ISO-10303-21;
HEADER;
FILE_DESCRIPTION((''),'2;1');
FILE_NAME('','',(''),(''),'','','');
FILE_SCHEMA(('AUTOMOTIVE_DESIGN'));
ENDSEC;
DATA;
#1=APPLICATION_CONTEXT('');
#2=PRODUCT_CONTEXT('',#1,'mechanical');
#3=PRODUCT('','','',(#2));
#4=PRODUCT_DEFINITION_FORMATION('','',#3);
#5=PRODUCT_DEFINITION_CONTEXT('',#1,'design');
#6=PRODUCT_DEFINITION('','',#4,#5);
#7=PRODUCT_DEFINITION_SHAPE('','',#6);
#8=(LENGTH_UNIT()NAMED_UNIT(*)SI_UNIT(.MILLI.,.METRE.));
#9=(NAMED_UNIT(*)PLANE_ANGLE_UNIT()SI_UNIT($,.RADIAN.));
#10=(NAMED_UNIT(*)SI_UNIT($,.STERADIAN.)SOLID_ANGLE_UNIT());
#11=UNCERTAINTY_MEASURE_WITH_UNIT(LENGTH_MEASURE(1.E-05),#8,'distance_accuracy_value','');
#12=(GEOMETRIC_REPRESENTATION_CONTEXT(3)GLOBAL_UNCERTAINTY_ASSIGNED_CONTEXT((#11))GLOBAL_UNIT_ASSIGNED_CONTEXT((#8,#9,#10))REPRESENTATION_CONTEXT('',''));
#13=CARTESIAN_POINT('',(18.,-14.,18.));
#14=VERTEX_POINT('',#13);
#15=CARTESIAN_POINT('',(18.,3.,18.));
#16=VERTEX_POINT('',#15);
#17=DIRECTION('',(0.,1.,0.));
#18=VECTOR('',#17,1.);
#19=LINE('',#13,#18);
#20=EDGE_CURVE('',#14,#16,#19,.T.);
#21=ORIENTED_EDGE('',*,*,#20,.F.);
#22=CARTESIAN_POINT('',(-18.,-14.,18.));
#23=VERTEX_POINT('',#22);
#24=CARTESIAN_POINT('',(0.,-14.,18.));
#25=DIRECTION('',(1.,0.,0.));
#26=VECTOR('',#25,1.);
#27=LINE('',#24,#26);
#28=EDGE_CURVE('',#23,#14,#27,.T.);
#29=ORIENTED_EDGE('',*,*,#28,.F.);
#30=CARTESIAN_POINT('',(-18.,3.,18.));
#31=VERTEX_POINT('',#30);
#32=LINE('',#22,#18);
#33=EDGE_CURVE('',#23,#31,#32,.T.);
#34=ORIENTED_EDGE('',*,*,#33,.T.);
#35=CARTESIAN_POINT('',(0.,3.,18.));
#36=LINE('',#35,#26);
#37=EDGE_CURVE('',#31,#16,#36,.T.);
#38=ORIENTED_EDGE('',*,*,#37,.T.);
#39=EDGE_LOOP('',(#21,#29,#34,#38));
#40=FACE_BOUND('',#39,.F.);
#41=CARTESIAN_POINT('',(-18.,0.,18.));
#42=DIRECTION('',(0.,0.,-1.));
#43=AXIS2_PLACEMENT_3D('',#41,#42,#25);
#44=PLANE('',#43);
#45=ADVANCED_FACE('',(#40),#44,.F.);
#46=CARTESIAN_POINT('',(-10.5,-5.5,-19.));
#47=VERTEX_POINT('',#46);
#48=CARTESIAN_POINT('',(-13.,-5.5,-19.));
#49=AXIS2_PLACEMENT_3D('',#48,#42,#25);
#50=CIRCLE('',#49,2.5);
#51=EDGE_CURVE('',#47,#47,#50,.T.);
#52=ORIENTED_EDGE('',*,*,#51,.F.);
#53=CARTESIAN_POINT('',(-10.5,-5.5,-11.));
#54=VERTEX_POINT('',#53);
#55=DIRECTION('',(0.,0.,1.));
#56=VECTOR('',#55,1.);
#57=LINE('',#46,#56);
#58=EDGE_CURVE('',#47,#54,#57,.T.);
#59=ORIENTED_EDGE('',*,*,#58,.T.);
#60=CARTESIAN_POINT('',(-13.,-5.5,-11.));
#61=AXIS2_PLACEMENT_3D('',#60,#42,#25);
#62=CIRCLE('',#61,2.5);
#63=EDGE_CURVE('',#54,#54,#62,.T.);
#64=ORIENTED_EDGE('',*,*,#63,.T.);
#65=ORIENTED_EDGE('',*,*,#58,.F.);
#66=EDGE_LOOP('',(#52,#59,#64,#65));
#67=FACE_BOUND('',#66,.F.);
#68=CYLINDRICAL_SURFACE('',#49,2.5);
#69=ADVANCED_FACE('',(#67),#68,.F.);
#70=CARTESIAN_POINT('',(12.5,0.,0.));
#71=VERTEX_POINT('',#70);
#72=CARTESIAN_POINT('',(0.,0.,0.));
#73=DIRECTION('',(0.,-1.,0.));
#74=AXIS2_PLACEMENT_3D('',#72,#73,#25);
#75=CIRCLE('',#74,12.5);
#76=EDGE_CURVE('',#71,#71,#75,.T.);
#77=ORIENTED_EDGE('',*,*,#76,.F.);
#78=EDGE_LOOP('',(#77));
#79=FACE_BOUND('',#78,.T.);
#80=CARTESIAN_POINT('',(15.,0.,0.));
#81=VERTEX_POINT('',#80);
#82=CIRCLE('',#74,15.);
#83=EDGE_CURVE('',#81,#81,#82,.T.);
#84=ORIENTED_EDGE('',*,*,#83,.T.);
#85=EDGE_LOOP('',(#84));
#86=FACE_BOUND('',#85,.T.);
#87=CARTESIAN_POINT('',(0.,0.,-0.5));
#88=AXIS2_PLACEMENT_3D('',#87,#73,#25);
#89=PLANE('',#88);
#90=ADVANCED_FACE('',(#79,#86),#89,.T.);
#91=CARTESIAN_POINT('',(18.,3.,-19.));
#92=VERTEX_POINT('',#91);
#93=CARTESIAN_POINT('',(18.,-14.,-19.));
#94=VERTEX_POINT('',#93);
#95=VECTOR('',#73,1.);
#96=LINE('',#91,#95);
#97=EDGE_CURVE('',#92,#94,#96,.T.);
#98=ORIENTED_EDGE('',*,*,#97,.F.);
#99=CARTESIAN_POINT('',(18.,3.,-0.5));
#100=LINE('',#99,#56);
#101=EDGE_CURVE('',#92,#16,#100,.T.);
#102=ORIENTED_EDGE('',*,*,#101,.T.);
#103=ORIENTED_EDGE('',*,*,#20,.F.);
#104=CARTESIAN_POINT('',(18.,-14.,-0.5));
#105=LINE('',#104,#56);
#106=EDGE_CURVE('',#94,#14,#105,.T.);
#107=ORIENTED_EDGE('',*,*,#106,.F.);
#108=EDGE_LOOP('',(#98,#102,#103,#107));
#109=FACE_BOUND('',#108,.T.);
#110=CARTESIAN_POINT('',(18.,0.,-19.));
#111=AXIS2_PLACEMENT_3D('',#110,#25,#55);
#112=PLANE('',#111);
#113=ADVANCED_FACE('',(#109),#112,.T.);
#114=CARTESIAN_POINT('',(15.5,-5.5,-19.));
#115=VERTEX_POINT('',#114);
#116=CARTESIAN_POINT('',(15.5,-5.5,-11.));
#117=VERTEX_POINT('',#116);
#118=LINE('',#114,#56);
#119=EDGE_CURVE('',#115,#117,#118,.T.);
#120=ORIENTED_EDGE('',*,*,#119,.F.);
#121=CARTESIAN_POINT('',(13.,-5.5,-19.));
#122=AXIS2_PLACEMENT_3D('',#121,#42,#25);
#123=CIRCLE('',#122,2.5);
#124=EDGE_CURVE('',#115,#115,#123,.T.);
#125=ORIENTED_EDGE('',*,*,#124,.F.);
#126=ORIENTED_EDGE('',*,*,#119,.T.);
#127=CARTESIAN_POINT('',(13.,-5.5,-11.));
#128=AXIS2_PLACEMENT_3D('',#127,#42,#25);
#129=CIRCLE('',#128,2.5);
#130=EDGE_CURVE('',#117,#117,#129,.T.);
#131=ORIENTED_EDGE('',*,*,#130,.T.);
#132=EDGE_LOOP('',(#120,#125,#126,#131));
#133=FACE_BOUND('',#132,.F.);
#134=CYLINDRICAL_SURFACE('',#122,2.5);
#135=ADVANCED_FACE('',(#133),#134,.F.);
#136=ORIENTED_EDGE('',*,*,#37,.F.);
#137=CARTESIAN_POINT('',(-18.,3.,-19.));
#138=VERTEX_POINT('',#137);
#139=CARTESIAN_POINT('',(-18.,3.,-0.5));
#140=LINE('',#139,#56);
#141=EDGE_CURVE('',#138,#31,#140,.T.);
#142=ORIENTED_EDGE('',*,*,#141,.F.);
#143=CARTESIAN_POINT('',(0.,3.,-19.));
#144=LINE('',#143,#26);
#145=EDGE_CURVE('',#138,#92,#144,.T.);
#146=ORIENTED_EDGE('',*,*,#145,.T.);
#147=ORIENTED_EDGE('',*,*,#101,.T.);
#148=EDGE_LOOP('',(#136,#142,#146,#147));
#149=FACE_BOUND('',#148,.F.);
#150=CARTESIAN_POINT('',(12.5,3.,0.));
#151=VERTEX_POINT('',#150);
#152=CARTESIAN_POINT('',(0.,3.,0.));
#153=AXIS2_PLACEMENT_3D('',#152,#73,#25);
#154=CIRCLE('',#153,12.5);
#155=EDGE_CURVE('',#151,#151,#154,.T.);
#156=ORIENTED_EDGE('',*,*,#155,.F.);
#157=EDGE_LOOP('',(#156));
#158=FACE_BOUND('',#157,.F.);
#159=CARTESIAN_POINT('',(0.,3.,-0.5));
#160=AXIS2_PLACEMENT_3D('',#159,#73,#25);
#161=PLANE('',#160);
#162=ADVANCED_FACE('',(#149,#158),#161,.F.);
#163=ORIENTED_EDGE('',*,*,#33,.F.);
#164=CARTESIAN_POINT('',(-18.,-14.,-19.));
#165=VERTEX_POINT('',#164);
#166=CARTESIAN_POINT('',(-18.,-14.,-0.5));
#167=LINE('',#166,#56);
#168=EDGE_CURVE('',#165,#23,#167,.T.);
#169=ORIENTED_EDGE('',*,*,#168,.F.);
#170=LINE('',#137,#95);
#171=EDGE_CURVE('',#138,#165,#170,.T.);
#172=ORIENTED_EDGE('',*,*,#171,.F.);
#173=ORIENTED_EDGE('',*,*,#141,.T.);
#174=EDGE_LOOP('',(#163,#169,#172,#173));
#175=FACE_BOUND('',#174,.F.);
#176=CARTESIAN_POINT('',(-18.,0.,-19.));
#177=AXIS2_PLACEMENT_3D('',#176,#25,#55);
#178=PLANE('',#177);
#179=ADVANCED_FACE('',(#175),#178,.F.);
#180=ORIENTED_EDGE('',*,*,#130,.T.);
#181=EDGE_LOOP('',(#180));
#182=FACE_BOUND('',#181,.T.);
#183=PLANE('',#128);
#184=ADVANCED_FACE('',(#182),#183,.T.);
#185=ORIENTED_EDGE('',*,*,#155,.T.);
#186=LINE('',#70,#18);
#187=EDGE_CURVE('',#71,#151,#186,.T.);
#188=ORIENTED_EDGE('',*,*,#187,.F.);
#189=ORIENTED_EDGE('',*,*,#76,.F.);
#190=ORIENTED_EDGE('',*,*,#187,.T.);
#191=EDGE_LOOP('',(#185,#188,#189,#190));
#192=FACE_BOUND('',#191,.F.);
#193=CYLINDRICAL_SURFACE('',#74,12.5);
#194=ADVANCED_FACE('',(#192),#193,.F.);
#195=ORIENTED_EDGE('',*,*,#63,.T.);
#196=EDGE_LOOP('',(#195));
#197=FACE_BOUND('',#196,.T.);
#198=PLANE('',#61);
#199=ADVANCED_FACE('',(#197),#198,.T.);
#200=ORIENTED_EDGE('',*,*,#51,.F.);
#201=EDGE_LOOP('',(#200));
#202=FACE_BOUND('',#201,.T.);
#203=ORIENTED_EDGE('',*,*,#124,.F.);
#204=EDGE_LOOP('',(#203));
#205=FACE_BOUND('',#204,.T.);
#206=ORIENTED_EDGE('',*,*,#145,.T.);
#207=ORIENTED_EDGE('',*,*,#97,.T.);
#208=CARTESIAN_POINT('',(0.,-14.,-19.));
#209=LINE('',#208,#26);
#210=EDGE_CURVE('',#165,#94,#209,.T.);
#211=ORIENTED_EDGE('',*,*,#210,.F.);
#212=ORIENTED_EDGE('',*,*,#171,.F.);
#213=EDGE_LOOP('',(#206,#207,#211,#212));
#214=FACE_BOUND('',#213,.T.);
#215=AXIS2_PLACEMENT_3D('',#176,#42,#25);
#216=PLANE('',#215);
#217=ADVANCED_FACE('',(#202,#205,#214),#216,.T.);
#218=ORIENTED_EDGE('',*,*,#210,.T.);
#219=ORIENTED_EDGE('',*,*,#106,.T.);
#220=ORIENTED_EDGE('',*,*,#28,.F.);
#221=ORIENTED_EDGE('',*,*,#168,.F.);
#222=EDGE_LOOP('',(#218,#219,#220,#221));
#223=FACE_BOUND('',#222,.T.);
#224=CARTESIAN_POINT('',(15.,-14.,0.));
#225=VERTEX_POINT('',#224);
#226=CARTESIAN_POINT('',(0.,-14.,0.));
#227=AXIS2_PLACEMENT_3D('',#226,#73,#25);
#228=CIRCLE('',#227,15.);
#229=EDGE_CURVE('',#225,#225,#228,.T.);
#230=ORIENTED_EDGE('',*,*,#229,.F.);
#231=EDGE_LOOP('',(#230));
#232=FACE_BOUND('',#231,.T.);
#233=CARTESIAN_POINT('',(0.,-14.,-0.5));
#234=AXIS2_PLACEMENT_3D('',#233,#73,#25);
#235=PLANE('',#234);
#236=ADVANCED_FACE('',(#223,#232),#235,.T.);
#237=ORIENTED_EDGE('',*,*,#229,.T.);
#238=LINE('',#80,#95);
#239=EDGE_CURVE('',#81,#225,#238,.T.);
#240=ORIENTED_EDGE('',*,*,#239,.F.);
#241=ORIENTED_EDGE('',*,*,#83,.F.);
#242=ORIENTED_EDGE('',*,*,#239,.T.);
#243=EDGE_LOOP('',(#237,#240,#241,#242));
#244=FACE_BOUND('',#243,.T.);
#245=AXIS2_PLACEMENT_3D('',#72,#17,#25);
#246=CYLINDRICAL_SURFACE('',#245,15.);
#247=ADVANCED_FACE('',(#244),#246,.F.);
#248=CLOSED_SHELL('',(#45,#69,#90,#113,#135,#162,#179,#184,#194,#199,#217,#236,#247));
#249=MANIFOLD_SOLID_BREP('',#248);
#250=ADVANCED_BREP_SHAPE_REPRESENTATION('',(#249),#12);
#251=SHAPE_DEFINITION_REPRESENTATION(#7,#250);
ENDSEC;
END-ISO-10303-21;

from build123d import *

# Parameters (mm, degrees)
F0_W     = 36
F0_H     = 37
F0_R     = 15
F1_DEPTH = 14
F0_R_2   = 12.5
F2_DEPTH = 3
F3_R     = 2.5
F4_DEPTH = 8


with BuildPart() as f1:
    # F0 (on Front) → F1 (new body)
    with BuildSketch(Plane.XZ):
        with Locations((0, -0.5)):
            Rectangle(F0_W, F0_H)
        Circle(F0_R, mode=Mode.SUBTRACT)
    extrude(amount=F1_DEPTH)

    # F0 (on Front) → F2 (join)
    with BuildSketch(Plane.XZ):
        with Locations((0, -0.5)):
            Rectangle(F0_W, F0_H)
        Circle(F0_R, mode=Mode.SUBTRACT)
        Circle(F0_R)
        Circle(F0_R_2, mode=Mode.SUBTRACT)
    extrude(amount=-F2_DEPTH)

    # F3 (on face) → F4 (cut)
    with BuildSketch(Plane(origin=(0, 0, -19), x_dir=(1, 0, 0), z_dir=(0, 0, -1))):
        with Locations((-13, 5.5)):
            Circle(F3_R)
        with Locations((13, 5.5)):
            Circle(F3_R)
    extrude(amount=-F4_DEPTH, mode=Mode.SUBTRACT)


solid = f1.part
